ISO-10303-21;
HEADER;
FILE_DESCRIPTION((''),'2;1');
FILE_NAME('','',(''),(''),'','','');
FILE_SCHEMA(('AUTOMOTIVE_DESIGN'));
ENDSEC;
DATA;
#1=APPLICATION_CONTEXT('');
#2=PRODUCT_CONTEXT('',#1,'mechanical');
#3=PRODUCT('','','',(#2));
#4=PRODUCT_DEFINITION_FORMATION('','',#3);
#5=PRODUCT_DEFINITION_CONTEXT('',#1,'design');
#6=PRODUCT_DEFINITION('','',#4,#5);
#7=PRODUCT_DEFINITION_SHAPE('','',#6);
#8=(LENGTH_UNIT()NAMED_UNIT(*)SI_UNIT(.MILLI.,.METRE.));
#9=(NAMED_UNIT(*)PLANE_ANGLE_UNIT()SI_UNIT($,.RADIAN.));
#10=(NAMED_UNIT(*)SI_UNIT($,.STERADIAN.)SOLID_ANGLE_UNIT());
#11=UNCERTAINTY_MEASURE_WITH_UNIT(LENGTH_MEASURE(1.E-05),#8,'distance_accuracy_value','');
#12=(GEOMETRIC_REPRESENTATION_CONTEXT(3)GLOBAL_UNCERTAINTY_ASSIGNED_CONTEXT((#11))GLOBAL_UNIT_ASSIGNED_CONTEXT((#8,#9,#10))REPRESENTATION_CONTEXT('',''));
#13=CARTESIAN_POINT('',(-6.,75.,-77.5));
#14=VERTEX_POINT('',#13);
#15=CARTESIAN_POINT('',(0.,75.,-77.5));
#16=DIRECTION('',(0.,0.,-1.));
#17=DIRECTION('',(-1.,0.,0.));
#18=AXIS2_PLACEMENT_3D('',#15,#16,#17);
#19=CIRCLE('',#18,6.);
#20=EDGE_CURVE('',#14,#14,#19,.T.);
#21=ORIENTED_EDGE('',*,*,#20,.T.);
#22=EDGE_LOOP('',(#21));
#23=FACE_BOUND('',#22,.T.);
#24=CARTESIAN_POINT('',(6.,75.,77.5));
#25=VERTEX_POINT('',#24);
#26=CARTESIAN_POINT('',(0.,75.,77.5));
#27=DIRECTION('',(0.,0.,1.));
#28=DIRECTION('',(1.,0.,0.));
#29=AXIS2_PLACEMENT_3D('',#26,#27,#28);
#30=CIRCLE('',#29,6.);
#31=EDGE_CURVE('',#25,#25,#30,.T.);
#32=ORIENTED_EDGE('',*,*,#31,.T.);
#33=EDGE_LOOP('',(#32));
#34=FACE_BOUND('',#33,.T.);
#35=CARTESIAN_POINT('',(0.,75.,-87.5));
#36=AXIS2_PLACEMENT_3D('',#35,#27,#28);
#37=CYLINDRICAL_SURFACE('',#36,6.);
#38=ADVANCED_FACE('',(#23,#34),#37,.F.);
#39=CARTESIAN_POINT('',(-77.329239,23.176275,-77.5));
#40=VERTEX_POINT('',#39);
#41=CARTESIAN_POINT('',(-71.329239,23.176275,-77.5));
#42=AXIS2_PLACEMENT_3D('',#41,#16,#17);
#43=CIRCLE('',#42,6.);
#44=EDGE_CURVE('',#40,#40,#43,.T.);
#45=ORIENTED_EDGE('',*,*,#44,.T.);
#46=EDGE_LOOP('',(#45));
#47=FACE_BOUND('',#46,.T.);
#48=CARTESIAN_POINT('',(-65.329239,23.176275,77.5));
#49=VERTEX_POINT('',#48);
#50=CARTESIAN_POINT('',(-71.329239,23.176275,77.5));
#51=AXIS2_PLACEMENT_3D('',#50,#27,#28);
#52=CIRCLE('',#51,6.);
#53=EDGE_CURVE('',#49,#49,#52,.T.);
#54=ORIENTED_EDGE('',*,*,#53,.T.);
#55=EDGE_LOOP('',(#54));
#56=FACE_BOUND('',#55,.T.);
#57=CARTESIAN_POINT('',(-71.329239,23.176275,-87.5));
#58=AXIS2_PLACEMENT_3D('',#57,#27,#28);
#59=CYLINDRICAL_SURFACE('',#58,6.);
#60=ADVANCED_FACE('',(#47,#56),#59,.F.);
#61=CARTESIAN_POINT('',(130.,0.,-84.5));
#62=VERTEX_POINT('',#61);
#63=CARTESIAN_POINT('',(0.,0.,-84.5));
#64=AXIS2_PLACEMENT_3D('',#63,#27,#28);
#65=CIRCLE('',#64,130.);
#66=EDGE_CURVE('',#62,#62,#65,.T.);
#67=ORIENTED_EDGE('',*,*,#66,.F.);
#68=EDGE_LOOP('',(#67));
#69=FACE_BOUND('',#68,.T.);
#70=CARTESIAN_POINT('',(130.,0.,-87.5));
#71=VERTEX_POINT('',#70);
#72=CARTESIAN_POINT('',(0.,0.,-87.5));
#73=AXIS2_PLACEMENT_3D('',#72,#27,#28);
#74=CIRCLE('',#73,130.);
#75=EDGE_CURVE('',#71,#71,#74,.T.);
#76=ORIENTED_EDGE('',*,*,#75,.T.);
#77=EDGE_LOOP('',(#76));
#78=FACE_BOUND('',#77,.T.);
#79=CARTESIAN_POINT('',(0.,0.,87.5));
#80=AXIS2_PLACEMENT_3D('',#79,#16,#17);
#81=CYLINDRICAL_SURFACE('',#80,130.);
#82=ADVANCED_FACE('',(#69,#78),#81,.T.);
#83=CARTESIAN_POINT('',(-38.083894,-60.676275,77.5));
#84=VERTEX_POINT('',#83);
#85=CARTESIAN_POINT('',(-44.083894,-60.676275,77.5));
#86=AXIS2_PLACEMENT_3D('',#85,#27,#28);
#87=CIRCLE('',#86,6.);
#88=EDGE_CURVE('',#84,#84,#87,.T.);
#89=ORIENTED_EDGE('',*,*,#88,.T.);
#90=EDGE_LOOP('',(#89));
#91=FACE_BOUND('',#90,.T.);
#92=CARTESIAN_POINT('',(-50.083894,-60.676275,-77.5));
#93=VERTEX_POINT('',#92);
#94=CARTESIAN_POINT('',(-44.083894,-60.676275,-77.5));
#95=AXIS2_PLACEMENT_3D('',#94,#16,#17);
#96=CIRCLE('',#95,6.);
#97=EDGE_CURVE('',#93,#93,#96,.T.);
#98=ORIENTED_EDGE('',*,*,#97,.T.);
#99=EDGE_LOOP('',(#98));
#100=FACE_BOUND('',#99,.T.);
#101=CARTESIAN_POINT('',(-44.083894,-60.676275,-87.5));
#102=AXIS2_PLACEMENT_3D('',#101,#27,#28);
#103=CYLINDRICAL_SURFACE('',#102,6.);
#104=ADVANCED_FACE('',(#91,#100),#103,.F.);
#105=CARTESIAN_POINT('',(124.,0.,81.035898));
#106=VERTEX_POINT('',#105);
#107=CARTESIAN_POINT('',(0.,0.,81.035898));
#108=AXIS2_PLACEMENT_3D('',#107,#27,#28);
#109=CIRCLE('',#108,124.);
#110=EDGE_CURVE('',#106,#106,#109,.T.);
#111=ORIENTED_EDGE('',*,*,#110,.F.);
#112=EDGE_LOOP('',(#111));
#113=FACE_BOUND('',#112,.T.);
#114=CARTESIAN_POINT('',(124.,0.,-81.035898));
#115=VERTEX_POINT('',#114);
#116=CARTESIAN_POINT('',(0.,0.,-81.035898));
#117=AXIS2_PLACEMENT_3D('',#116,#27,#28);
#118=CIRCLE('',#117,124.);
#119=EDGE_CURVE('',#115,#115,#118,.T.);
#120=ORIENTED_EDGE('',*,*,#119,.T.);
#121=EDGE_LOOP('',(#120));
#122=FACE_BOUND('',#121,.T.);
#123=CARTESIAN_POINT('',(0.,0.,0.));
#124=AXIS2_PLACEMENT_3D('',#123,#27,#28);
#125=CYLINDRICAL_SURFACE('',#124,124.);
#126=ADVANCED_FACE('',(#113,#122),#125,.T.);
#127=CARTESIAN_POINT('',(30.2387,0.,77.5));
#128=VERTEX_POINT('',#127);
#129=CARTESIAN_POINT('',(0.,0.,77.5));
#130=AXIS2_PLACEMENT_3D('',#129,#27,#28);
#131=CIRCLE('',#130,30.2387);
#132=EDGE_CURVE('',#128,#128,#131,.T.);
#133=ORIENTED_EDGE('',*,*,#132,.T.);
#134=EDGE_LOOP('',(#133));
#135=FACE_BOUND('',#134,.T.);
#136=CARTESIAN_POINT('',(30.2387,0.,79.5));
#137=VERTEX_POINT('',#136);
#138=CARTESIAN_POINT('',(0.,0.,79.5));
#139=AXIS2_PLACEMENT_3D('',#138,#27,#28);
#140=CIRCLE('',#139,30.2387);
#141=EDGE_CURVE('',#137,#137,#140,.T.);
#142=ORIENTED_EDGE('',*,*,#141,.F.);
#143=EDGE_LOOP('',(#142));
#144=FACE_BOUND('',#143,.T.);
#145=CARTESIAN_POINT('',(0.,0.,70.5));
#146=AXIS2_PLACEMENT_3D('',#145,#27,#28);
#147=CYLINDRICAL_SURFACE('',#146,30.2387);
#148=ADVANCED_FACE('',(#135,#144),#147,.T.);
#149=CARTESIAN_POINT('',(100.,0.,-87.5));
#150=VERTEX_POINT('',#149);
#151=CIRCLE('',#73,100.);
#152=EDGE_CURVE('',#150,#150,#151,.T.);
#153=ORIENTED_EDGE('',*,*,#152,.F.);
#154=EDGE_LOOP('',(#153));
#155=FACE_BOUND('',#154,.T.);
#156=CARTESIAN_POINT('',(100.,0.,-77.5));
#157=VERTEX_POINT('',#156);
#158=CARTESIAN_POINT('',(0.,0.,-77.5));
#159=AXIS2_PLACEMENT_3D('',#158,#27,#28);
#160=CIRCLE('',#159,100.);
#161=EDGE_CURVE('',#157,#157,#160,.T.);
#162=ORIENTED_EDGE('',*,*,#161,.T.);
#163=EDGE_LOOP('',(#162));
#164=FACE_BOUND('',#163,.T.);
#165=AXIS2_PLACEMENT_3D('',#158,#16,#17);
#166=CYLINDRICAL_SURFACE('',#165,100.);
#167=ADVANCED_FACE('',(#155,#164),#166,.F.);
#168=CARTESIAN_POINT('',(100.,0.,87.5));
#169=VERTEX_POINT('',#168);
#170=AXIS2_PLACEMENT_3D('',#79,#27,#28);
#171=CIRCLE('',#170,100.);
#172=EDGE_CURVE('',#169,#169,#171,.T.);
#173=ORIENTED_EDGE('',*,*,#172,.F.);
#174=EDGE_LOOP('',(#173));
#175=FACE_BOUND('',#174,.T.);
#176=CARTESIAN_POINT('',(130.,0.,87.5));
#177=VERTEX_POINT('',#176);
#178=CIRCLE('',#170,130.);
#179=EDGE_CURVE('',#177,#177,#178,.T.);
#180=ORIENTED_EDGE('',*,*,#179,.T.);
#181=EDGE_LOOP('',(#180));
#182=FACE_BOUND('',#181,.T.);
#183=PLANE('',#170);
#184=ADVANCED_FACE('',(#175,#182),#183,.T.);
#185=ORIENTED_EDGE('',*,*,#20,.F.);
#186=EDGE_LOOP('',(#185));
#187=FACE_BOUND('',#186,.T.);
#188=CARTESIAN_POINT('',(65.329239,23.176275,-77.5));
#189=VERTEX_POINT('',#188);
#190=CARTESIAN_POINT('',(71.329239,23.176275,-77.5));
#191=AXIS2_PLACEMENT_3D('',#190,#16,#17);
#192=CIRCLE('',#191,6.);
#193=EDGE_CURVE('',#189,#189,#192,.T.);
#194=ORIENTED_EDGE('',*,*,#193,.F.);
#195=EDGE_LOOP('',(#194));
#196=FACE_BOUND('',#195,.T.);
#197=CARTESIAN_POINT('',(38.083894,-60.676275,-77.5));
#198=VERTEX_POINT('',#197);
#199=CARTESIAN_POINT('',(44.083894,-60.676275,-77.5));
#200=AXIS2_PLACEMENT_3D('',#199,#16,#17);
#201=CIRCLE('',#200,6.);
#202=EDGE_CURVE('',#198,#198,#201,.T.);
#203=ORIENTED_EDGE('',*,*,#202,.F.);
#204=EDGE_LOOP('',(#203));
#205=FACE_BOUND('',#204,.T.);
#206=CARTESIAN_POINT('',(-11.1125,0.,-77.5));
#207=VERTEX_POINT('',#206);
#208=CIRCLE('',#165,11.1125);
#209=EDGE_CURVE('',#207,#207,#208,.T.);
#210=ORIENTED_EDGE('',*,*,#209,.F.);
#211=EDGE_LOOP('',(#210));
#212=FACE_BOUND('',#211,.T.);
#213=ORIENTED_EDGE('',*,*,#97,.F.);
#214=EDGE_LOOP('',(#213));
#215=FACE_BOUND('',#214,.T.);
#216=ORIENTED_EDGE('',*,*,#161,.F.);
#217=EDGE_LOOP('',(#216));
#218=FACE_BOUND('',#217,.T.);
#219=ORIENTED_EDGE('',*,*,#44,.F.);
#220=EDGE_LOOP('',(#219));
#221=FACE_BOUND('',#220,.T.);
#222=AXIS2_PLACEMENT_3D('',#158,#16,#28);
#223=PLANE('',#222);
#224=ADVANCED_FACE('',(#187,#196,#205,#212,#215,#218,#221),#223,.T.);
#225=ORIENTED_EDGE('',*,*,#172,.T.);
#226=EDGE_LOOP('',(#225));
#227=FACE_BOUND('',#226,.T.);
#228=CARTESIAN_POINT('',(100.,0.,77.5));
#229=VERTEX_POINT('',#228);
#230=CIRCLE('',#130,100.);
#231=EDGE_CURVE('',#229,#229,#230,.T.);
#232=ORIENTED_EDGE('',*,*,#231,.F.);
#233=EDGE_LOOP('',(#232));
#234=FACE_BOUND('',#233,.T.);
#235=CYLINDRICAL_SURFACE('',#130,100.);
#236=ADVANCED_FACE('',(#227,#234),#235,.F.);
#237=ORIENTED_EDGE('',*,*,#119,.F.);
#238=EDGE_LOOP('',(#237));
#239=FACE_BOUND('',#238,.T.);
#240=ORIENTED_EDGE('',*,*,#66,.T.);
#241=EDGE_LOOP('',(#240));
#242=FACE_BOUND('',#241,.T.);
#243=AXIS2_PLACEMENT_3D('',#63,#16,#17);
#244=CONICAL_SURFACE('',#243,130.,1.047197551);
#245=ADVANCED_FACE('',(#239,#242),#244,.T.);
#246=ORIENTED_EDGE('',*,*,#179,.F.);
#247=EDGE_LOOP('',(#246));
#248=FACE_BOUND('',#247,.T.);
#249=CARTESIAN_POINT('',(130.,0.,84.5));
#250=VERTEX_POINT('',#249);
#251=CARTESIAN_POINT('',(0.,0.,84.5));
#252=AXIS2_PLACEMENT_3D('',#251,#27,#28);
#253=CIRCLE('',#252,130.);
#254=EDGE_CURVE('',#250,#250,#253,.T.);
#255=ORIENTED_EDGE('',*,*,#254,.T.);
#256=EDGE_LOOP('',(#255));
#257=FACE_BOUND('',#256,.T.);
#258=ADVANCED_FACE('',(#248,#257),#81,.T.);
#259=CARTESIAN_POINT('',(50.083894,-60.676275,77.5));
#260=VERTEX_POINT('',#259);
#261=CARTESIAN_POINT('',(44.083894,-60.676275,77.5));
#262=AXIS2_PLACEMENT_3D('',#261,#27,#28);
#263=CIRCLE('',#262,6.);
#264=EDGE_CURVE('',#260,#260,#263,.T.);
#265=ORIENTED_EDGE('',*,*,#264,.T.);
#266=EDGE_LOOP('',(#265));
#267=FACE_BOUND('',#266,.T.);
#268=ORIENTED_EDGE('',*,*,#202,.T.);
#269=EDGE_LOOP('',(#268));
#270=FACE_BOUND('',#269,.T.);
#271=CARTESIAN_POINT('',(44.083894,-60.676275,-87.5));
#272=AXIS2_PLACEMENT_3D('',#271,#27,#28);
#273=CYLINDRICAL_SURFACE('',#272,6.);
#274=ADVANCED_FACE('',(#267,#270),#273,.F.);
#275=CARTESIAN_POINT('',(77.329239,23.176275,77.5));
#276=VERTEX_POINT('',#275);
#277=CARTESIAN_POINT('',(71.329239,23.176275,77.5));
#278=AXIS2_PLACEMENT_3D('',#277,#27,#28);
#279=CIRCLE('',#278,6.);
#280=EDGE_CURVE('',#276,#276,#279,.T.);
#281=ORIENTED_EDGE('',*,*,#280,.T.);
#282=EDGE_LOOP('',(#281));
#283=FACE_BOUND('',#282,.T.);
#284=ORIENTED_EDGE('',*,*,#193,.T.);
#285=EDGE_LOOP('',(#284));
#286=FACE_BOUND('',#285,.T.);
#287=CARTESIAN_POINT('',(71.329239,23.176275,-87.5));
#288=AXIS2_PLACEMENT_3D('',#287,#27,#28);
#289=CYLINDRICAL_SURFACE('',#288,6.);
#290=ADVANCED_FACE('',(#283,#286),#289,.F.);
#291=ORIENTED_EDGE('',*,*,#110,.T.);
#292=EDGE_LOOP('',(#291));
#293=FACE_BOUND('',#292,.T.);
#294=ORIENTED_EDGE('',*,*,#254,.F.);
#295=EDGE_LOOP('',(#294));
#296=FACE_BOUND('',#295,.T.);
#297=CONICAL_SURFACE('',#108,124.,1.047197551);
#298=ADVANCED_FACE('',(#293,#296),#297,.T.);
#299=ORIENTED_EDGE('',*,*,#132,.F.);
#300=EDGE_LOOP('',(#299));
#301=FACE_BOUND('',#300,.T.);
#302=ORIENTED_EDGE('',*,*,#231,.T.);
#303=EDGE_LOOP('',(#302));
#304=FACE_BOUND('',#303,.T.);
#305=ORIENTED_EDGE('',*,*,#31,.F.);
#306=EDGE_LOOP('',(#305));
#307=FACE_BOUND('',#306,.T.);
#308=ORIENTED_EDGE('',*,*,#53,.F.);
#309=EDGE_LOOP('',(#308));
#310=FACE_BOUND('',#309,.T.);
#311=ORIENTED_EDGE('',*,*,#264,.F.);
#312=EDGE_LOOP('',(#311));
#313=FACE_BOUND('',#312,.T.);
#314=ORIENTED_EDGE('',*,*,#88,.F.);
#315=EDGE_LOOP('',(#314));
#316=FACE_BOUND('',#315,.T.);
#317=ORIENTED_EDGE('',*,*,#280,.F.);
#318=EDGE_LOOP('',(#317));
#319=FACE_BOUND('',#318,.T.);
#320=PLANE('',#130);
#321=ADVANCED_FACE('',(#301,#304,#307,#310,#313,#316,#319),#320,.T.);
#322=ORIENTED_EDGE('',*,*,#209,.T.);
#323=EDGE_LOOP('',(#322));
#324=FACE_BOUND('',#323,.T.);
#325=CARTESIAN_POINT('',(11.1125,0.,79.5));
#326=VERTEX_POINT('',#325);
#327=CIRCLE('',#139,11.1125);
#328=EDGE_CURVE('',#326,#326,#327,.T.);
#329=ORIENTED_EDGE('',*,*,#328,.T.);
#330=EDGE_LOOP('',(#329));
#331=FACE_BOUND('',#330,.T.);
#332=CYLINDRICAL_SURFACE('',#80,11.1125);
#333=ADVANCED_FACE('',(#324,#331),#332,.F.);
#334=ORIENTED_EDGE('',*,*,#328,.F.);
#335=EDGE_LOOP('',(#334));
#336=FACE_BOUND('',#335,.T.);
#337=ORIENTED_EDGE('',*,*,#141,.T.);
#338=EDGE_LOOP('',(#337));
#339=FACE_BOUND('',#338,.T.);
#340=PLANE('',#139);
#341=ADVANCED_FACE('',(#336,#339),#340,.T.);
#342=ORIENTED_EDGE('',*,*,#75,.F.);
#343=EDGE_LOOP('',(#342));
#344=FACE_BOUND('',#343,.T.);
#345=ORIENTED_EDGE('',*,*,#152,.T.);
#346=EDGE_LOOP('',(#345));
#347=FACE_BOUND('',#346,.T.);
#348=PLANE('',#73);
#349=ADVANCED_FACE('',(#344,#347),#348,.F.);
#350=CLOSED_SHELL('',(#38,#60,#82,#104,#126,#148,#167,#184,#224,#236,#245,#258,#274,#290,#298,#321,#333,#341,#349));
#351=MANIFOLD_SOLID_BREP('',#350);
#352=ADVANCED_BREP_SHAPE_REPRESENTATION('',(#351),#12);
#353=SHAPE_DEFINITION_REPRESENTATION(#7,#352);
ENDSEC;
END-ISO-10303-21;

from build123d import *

# Parameters (mm, degrees)
SKETCH1_R                = 130
SKETCH1_R_2              = 11.1125
BOSS_EXTRUDE1_DEPTH      = 87.5
SKETCH2_R                = 100
CUT_EXTRUDE1_DEPTH       = 10
CUT_EXTRUDE2_START       = -166
SKETCH3_R                = 6
CUT_EXTRUDE2_DEPTH       = 177
CIRPATTERN1_COUNT        = 5
SKETCH4_R                = 30.2387
SKETCH4_R_2              = 11.1125
BOSS_EXTRUDE2_DEPTH      = 2
BOSS_EXTRUDE2_DEPTH_BACK = 7


with BuildPart() as part:
    # Sketch1 → Boss-Extrude1 (new body, symmetric)
    with BuildSketch(Plane.XY):
        Circle(SKETCH1_R)
        Circle(SKETCH1_R_2, mode=Mode.SUBTRACT)
    extrude(amount=BOSS_EXTRUDE1_DEPTH, both=True)

    # Sketch2 → Cut-Extrude1 (cut)
    with BuildSketch(Plane.XY.offset(87.5)):
        Circle(SKETCH2_R)
    cut_extrude1 = extrude(amount=-CUT_EXTRUDE1_DEPTH, mode=Mode.SUBTRACT)

    # Mirror1: Cut-Extrude1 across plane
    add(cut_extrude1.mirror(Plane.XY), mode=Mode.SUBTRACT)

    # Sketch3 → Cut-Extrude2 (cut)
    with BuildSketch(Plane.XY.offset(77.5).offset(CUT_EXTRUDE2_START)):
        with Locations((0, 75)):
            Circle(SKETCH3_R)
    cut_extrude2 = extrude(amount=CUT_EXTRUDE2_DEPTH, mode=Mode.SUBTRACT)

    # CirPattern1: Cut-Extrude2 ×5 about axis
    cirpattern1_axis = Axis((0, 0, 0), (0, 0, 1))
    for i in range(1, CIRPATTERN1_COUNT):
        add(cut_extrude2.rotate(cirpattern1_axis, i * 360 / CIRPATTERN1_COUNT), mode=Mode.SUBTRACT)

    # Sketch4 → Boss-Extrude2 (add, two sides)
    with BuildSketch(Plane.XY.offset(77.5)) as boss_extrude2_sk:
        Circle(SKETCH4_R)
        Circle(SKETCH4_R_2, mode=Mode.SUBTRACT)
    extrude(amount=BOSS_EXTRUDE2_DEPTH)
    extrude(boss_extrude2_sk.sketch, amount=-BOSS_EXTRUDE2_DEPTH_BACK)

    # Sketch5 → Cut-Revolve1 (revolve, cut)
    with BuildSketch(Plane(origin=(0, 0, 0), x_dir=(1, 0, 0), z_dir=(0, 1, 0))):
        Polygon((130, 84.5), (124, 81.035898385), (124, -81.035898385), (130, -84.5), align=None)
    revolve(axis=Axis((0, 0, 0), (0, 0, -1)), mode=Mode.SUBTRACT)


solid = part.part
